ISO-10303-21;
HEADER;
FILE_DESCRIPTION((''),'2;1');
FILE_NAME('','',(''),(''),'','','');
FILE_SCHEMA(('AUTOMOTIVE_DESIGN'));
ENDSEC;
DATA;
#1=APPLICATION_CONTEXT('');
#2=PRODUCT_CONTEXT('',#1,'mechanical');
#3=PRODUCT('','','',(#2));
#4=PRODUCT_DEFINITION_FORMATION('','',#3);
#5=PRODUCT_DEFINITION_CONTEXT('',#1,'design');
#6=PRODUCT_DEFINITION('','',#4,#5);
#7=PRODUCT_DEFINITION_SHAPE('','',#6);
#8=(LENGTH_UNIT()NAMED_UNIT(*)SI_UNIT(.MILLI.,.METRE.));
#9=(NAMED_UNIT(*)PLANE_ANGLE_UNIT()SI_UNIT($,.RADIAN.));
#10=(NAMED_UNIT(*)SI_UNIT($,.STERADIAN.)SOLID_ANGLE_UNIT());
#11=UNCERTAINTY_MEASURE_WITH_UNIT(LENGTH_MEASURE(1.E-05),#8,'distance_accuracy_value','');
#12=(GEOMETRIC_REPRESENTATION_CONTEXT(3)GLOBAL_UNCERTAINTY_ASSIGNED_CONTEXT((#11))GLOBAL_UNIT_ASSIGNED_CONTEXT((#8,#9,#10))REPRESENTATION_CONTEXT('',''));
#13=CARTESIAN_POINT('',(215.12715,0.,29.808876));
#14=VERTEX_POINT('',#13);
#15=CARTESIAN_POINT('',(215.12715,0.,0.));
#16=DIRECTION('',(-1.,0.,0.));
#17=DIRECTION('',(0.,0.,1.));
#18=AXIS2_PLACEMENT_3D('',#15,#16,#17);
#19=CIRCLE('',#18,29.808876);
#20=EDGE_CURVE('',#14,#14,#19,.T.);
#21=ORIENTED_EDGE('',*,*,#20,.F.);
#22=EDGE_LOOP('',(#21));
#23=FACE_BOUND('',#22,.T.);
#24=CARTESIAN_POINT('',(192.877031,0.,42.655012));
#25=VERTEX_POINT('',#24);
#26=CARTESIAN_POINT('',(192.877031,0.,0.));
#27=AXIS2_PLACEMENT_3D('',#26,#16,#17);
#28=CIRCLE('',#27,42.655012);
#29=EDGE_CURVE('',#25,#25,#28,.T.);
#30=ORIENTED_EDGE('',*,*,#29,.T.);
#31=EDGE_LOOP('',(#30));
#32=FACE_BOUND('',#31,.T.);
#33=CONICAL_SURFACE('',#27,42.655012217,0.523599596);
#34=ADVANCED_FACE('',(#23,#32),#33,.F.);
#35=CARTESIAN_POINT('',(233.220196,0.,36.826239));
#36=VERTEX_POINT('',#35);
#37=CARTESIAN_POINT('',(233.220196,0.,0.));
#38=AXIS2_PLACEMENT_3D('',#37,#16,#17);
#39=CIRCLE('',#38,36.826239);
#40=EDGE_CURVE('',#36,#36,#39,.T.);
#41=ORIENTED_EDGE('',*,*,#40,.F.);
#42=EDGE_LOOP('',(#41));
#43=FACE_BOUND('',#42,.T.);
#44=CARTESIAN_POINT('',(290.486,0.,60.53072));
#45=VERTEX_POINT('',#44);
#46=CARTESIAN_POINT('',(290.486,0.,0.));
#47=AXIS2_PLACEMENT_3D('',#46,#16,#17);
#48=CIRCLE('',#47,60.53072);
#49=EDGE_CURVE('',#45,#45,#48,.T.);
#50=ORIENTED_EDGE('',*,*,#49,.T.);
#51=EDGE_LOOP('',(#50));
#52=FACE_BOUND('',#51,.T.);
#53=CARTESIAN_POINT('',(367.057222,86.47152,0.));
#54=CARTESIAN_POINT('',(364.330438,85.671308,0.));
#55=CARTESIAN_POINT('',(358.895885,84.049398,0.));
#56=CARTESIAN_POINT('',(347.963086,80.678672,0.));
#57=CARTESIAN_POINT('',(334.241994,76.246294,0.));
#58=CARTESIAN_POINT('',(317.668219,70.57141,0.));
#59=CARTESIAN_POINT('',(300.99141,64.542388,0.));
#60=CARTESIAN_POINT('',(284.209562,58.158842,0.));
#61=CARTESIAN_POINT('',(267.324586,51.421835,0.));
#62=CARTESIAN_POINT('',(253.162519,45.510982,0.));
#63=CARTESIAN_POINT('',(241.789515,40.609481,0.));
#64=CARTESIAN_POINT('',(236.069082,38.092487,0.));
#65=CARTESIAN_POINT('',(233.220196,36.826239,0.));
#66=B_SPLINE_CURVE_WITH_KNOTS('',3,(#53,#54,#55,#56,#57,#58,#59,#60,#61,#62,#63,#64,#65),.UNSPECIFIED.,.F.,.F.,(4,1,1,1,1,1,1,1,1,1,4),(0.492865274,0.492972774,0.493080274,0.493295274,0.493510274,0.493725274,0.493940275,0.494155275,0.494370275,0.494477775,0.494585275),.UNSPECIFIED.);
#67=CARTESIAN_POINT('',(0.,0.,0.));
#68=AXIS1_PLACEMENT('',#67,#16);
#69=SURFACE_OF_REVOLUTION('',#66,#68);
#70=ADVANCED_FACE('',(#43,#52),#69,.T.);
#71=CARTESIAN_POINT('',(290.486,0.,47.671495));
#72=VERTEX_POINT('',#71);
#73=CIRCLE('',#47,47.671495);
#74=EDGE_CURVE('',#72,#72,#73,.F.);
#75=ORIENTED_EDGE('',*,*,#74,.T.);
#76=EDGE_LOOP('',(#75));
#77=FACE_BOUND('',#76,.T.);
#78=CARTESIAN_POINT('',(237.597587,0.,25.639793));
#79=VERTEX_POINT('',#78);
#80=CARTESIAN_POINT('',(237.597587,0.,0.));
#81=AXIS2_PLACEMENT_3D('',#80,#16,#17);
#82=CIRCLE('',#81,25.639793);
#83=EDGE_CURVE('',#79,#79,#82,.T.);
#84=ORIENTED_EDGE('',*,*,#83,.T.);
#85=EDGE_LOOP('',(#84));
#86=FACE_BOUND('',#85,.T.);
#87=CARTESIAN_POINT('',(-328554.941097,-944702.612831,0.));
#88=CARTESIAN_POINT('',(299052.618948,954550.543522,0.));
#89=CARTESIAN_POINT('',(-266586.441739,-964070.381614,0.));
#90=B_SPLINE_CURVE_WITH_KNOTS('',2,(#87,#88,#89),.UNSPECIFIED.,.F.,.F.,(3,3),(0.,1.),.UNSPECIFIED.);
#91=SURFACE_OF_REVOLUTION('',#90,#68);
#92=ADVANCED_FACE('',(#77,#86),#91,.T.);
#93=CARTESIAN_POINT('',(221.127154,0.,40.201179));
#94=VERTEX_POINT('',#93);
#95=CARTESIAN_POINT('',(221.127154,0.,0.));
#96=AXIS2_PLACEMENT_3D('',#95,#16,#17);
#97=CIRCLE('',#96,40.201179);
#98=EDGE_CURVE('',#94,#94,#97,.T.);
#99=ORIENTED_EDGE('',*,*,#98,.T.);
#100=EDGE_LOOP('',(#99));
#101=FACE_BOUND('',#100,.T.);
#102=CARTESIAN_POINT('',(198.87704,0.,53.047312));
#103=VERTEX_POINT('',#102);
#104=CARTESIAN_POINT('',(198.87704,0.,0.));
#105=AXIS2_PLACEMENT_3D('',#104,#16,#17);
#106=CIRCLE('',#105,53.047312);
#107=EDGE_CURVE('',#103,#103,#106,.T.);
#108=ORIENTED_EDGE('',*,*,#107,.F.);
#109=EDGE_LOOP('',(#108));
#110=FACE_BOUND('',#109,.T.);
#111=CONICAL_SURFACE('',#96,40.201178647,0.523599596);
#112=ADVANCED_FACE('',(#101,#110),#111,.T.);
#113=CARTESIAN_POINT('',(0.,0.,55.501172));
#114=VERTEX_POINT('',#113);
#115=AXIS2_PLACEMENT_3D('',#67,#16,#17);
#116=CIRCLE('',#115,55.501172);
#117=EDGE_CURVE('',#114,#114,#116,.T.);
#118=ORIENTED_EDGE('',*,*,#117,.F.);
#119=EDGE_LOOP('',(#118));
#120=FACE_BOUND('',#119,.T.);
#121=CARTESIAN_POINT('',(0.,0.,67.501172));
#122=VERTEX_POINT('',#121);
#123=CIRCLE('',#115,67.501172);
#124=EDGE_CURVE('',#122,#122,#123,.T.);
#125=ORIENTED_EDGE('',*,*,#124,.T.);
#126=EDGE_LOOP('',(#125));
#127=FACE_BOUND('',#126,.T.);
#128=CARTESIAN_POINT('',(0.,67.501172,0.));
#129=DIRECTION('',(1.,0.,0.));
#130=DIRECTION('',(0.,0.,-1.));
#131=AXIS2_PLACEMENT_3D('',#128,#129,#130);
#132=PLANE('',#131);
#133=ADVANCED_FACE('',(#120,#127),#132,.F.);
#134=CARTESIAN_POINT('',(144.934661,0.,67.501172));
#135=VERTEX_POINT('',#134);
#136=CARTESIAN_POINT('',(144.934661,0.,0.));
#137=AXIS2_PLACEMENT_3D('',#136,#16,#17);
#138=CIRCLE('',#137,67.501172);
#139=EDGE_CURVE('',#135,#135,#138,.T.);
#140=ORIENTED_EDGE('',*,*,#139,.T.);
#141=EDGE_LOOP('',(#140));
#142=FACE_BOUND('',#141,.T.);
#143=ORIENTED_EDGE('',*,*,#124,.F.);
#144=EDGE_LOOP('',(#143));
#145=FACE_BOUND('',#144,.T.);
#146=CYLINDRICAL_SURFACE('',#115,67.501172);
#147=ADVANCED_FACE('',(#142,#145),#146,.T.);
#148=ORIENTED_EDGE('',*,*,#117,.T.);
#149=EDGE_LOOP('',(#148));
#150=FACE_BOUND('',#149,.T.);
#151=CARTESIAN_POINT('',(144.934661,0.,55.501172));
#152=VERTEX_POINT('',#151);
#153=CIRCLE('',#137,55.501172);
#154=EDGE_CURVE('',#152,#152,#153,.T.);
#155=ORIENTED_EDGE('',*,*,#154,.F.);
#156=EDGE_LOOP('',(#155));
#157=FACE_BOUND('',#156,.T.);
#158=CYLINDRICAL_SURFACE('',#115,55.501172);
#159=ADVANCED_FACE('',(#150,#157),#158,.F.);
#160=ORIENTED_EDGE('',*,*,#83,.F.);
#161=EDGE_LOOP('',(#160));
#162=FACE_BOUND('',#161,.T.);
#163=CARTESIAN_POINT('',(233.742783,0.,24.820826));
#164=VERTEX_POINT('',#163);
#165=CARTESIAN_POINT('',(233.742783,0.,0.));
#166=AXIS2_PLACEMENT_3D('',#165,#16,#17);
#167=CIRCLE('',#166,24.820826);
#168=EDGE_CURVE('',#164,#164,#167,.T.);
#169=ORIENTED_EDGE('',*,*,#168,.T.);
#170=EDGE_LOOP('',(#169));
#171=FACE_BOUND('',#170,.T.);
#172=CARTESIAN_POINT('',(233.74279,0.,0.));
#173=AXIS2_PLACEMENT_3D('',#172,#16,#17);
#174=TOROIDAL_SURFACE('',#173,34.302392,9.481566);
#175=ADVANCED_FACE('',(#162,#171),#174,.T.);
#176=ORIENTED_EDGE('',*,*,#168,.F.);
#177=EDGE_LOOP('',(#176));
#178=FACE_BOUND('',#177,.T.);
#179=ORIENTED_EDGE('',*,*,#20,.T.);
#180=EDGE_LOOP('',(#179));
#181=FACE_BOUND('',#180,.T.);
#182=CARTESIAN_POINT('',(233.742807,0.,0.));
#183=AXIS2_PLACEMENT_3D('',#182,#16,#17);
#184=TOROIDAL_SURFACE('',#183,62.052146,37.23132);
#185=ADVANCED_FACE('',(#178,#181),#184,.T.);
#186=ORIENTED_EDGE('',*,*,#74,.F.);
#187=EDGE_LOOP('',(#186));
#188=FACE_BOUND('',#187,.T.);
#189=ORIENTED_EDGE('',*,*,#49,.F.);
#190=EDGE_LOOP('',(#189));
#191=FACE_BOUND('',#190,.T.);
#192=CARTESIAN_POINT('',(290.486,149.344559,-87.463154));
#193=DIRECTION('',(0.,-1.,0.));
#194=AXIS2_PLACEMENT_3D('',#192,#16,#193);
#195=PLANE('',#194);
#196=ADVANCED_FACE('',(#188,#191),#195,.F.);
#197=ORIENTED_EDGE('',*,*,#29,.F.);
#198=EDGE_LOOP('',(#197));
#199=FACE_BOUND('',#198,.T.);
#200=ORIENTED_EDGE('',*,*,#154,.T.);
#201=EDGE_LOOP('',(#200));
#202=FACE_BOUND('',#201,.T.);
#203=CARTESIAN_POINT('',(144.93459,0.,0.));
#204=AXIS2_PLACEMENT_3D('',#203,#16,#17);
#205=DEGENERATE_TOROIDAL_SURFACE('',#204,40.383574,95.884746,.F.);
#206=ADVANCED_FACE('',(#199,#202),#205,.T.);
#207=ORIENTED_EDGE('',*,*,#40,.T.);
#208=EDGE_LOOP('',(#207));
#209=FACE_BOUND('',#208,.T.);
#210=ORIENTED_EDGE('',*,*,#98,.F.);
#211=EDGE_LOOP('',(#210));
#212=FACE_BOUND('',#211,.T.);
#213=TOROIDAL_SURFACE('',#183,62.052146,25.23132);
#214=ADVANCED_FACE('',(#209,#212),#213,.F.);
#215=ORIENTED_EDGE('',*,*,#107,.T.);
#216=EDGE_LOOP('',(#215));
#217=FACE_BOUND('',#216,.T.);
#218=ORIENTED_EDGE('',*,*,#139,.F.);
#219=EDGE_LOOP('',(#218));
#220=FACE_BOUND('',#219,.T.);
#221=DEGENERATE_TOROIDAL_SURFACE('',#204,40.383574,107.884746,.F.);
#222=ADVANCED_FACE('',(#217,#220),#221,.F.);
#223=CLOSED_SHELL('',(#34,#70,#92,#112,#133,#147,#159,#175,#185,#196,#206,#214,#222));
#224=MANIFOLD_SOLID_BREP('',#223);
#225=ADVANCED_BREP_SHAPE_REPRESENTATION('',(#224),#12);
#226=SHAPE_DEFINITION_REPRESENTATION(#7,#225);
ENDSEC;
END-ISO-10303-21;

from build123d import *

# Parameters (mm, degrees)
CUT_EXTRUDE1_DEPTH      = 391.541482324
CUT_EXTRUDE1_DEPTH_BACK = 391.541482324
SKETCH6_W               = 140
SKETCH6_H               = 298.689117204


with BuildPart() as part:
    # Sketch1 → Revolve1 (revolve)
    with BuildSketch(Plane.XY, mode=Mode.PRIVATE) as revolve1_sk:
        with BuildLine():
            Line((192.877031349, 42.655012217), (215.127149697, 29.808876046))
            ThreePointArc((215.127149697, 29.808876046), (224.106622413, 26.089455548), (233.742783423, 24.820826336))
            ThreePointArc((233.742783423, 24.820826336), (235.713203517, 25.027826984), (237.597587303, 25.639792966))
            add(Edge.make_bspline(
                [(237.597587303, 25.639792966), (305.794911856, 55.987196879), (370.436287167, 74.957098261)],
                knots=[0, 0, 0, 1, 1, 1], degree=2))
            Line((370.436287167, 74.957098261), (370.436287167, 87.463153647))
            Line((370.436287167, 87.463153647), (367.057221516, 86.471520319))
            add(Edge.make_bspline(
                [(233.22019623, 36.826239285), (236.069082049, 38.09248657), (241.789514517, 40.609481325), (253.162518773, 45.510982188), (267.324585603, 51.421835133), (284.209562024, 58.15884205), (300.991410001, 64.542388321), (317.668219236, 70.571409981), (334.241993713, 76.246293785), (347.963085648, 80.678672393), (358.895885037, 84.049397838), (364.330437681, 85.671308068), (367.057221516, 86.471520319)],
                knots=[0.492865274, 0.492865274, 0.492865274, 0.492865274, 0.492972774, 0.493080274, 0.493295274, 0.493510274, 0.493725274, 0.493940275, 0.494155275, 0.494370275, 0.494477775, 0.494585275, 0.494585275, 0.494585275, 0.494585275], degree=3))
            ThreePointArc((233.22019623, 36.826239285), (226.960399594, 37.749503395), (221.127153585, 40.201178647))
            Line((221.127153585, 40.201178647), (198.877039879, 53.047312137))
            ThreePointArc((198.877039879, 53.047312137), (172.857293904, 63.825067551), (144.9346606, 67.5011717))
            Line((144.9346606, 67.5011717), (0, 67.5011717))
            Line((0, 67.5011717), (0, 55.5011717))
            Line((0, 55.5011717), (144.9346606, 55.5011717))
            ThreePointArc((144.9346606, 55.5011717), (169.751460606, 52.23395891), (192.877031349, 42.655012217))
        make_face()
    revolve(revolve1_sk.sketch.rotate(Axis((0, 0, 0), (1, 0, 0)), 90), axis=Axis((0, 0, 0), (1, 0, 0)))

    # Sketch6 → Cut-Extrude1 (cut, two sides: drawn at the far end of the back side and taken through both)
    with BuildSketch(Plane.XY.offset(-CUT_EXTRUDE1_DEPTH_BACK)):
        with Locations((360.486, 0)):
            Rectangle(SKETCH6_W, SKETCH6_H)
    extrude(amount=CUT_EXTRUDE1_DEPTH + CUT_EXTRUDE1_DEPTH_BACK, mode=Mode.SUBTRACT)


solid = part.part
